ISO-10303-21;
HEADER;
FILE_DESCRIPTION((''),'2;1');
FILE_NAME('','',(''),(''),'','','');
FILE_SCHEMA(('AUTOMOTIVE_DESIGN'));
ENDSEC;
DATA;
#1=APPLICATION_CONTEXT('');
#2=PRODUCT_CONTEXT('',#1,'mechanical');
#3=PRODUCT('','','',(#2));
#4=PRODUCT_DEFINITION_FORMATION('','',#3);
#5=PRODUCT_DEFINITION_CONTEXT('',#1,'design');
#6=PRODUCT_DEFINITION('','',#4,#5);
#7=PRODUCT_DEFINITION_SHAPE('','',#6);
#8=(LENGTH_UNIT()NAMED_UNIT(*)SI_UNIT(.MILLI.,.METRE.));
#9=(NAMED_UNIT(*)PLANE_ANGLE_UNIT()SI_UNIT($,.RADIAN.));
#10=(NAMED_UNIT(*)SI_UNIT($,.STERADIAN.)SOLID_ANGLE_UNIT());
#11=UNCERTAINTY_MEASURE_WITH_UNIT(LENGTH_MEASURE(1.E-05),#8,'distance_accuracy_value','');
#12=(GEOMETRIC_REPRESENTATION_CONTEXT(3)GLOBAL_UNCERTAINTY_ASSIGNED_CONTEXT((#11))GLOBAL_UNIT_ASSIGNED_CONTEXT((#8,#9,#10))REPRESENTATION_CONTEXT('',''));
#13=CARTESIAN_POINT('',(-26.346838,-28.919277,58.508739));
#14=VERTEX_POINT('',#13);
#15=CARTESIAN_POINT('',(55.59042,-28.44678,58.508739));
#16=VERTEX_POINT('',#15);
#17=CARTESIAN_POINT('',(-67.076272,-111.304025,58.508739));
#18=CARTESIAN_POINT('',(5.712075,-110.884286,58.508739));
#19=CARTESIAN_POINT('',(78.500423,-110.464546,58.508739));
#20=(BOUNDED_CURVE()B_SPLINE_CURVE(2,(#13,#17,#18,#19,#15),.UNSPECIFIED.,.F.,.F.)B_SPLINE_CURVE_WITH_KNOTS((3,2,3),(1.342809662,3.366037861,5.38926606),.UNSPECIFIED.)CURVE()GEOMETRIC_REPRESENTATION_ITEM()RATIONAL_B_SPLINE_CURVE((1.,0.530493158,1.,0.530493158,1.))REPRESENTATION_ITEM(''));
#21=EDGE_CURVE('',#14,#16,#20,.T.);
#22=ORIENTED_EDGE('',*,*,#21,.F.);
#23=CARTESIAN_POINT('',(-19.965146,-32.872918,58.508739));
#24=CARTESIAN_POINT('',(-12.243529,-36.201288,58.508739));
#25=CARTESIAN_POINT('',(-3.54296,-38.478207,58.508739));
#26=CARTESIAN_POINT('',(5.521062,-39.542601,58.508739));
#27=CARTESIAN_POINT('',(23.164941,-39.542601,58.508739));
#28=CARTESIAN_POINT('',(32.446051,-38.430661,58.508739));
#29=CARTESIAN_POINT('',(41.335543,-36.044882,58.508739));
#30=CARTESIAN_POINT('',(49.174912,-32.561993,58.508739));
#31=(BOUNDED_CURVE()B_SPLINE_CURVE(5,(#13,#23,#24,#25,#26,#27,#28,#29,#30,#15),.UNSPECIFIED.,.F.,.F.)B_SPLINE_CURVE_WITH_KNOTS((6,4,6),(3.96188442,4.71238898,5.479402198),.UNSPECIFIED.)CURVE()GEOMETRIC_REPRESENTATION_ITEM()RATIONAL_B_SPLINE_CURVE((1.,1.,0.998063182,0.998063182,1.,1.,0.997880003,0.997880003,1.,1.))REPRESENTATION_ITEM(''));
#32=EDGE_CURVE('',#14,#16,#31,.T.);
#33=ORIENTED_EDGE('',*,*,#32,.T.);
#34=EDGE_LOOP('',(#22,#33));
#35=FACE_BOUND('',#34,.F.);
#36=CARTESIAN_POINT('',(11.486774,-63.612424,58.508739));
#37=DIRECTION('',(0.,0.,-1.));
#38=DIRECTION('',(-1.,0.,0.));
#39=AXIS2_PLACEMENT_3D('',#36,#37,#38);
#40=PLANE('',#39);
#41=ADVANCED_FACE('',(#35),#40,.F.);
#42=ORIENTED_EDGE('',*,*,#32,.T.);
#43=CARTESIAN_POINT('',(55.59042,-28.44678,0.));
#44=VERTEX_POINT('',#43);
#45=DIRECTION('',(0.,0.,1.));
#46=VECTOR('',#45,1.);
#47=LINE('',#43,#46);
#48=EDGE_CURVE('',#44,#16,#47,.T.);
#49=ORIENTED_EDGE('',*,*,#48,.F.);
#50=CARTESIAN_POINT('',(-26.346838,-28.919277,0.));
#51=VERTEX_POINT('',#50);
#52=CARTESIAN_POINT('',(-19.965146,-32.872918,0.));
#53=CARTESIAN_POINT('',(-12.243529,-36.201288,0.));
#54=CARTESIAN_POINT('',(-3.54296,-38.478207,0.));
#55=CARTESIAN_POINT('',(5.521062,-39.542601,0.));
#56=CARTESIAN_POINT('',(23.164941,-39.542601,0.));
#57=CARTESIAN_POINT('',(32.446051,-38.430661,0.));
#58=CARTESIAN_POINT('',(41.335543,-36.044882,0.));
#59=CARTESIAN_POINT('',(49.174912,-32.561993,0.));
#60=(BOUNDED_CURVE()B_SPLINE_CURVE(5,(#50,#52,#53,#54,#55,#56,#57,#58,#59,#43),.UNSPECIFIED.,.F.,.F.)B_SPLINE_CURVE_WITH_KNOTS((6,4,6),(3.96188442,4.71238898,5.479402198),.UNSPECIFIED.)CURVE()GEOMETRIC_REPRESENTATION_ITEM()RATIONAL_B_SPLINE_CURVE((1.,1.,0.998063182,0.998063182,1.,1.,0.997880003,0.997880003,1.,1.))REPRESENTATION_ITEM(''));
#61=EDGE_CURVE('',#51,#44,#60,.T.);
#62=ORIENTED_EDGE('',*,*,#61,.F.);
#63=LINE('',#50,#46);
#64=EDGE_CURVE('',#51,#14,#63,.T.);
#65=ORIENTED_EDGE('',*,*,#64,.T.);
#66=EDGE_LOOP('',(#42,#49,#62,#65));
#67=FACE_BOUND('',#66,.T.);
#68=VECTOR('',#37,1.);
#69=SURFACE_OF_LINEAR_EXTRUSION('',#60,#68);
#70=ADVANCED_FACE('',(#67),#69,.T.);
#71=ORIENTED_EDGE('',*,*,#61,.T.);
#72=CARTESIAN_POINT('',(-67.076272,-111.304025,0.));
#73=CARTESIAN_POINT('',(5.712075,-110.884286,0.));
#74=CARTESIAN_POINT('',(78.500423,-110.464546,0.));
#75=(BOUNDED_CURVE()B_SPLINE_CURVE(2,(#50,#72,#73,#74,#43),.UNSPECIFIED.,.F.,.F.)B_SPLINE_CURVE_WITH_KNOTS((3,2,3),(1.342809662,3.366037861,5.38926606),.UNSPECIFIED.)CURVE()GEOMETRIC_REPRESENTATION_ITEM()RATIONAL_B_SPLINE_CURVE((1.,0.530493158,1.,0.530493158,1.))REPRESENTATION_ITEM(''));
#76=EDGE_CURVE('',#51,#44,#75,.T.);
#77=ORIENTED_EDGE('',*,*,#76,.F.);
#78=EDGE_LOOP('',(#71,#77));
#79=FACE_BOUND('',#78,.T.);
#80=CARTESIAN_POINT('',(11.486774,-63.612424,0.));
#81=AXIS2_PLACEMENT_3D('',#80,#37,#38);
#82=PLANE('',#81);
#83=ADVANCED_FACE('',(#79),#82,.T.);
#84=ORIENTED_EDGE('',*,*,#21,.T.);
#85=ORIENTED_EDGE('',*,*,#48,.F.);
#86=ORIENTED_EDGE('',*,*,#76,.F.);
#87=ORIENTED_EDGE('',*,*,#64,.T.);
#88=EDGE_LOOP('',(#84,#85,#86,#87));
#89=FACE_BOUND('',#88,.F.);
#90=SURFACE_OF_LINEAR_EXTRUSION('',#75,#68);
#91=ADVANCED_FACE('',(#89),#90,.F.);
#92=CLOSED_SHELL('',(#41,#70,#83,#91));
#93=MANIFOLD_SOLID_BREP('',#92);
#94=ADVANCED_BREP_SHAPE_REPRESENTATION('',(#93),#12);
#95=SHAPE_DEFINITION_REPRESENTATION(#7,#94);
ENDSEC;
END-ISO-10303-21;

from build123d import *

# Parameters (mm, degrees)
F1_DEPTH = 58.5087388754


with BuildPart() as f1:
    # F0 (on Top) → F1 (new body)
    with BuildSketch(Plane.XY):
        with BuildLine():
            add(Edge.make_bspline(
                [(14.2470300198, -39.5426005125), (38.2923315966, -39.5426005125), (55.5904200639, -28.4467799127)],
                knots=[4.7123889804, 4.7123889804, 4.7123889804, 5.480253263, 5.480253263, 5.480253263], degree=2, weights=[1, 0.9271989483, 1]))
            add(Edge.make_bspline(
                [(-26.3468378231, -28.919277143), (-9.1994069513, -39.5426005125), (14.2470300198, -39.5426005125)],
                knots=[3.9618844196, 3.9618844196, 3.9618844196, 4.7123889804, 4.7123889804, 4.7123889804], degree=2, weights=[1, 0.9304151889, 1]))
            add(Edge.make_bspline(
                [(-26.3468378231, -28.919277143), (-67.0762721514, -111.3040250716), (5.7120753743, -110.8842857065), (78.5004229, -110.4645463414), (55.5904200639, -28.4467799127)],
                knots=[1.3428096618, 1.3428096618, 1.3428096618, 3.3660378607, 3.3660378607, 5.3892660597, 5.3892660597, 5.3892660597], degree=2, weights=[1, 0.5304931583, 1, 0.5304931583, 1]))
        make_face()
    extrude(amount=F1_DEPTH)


solid = f1.part
